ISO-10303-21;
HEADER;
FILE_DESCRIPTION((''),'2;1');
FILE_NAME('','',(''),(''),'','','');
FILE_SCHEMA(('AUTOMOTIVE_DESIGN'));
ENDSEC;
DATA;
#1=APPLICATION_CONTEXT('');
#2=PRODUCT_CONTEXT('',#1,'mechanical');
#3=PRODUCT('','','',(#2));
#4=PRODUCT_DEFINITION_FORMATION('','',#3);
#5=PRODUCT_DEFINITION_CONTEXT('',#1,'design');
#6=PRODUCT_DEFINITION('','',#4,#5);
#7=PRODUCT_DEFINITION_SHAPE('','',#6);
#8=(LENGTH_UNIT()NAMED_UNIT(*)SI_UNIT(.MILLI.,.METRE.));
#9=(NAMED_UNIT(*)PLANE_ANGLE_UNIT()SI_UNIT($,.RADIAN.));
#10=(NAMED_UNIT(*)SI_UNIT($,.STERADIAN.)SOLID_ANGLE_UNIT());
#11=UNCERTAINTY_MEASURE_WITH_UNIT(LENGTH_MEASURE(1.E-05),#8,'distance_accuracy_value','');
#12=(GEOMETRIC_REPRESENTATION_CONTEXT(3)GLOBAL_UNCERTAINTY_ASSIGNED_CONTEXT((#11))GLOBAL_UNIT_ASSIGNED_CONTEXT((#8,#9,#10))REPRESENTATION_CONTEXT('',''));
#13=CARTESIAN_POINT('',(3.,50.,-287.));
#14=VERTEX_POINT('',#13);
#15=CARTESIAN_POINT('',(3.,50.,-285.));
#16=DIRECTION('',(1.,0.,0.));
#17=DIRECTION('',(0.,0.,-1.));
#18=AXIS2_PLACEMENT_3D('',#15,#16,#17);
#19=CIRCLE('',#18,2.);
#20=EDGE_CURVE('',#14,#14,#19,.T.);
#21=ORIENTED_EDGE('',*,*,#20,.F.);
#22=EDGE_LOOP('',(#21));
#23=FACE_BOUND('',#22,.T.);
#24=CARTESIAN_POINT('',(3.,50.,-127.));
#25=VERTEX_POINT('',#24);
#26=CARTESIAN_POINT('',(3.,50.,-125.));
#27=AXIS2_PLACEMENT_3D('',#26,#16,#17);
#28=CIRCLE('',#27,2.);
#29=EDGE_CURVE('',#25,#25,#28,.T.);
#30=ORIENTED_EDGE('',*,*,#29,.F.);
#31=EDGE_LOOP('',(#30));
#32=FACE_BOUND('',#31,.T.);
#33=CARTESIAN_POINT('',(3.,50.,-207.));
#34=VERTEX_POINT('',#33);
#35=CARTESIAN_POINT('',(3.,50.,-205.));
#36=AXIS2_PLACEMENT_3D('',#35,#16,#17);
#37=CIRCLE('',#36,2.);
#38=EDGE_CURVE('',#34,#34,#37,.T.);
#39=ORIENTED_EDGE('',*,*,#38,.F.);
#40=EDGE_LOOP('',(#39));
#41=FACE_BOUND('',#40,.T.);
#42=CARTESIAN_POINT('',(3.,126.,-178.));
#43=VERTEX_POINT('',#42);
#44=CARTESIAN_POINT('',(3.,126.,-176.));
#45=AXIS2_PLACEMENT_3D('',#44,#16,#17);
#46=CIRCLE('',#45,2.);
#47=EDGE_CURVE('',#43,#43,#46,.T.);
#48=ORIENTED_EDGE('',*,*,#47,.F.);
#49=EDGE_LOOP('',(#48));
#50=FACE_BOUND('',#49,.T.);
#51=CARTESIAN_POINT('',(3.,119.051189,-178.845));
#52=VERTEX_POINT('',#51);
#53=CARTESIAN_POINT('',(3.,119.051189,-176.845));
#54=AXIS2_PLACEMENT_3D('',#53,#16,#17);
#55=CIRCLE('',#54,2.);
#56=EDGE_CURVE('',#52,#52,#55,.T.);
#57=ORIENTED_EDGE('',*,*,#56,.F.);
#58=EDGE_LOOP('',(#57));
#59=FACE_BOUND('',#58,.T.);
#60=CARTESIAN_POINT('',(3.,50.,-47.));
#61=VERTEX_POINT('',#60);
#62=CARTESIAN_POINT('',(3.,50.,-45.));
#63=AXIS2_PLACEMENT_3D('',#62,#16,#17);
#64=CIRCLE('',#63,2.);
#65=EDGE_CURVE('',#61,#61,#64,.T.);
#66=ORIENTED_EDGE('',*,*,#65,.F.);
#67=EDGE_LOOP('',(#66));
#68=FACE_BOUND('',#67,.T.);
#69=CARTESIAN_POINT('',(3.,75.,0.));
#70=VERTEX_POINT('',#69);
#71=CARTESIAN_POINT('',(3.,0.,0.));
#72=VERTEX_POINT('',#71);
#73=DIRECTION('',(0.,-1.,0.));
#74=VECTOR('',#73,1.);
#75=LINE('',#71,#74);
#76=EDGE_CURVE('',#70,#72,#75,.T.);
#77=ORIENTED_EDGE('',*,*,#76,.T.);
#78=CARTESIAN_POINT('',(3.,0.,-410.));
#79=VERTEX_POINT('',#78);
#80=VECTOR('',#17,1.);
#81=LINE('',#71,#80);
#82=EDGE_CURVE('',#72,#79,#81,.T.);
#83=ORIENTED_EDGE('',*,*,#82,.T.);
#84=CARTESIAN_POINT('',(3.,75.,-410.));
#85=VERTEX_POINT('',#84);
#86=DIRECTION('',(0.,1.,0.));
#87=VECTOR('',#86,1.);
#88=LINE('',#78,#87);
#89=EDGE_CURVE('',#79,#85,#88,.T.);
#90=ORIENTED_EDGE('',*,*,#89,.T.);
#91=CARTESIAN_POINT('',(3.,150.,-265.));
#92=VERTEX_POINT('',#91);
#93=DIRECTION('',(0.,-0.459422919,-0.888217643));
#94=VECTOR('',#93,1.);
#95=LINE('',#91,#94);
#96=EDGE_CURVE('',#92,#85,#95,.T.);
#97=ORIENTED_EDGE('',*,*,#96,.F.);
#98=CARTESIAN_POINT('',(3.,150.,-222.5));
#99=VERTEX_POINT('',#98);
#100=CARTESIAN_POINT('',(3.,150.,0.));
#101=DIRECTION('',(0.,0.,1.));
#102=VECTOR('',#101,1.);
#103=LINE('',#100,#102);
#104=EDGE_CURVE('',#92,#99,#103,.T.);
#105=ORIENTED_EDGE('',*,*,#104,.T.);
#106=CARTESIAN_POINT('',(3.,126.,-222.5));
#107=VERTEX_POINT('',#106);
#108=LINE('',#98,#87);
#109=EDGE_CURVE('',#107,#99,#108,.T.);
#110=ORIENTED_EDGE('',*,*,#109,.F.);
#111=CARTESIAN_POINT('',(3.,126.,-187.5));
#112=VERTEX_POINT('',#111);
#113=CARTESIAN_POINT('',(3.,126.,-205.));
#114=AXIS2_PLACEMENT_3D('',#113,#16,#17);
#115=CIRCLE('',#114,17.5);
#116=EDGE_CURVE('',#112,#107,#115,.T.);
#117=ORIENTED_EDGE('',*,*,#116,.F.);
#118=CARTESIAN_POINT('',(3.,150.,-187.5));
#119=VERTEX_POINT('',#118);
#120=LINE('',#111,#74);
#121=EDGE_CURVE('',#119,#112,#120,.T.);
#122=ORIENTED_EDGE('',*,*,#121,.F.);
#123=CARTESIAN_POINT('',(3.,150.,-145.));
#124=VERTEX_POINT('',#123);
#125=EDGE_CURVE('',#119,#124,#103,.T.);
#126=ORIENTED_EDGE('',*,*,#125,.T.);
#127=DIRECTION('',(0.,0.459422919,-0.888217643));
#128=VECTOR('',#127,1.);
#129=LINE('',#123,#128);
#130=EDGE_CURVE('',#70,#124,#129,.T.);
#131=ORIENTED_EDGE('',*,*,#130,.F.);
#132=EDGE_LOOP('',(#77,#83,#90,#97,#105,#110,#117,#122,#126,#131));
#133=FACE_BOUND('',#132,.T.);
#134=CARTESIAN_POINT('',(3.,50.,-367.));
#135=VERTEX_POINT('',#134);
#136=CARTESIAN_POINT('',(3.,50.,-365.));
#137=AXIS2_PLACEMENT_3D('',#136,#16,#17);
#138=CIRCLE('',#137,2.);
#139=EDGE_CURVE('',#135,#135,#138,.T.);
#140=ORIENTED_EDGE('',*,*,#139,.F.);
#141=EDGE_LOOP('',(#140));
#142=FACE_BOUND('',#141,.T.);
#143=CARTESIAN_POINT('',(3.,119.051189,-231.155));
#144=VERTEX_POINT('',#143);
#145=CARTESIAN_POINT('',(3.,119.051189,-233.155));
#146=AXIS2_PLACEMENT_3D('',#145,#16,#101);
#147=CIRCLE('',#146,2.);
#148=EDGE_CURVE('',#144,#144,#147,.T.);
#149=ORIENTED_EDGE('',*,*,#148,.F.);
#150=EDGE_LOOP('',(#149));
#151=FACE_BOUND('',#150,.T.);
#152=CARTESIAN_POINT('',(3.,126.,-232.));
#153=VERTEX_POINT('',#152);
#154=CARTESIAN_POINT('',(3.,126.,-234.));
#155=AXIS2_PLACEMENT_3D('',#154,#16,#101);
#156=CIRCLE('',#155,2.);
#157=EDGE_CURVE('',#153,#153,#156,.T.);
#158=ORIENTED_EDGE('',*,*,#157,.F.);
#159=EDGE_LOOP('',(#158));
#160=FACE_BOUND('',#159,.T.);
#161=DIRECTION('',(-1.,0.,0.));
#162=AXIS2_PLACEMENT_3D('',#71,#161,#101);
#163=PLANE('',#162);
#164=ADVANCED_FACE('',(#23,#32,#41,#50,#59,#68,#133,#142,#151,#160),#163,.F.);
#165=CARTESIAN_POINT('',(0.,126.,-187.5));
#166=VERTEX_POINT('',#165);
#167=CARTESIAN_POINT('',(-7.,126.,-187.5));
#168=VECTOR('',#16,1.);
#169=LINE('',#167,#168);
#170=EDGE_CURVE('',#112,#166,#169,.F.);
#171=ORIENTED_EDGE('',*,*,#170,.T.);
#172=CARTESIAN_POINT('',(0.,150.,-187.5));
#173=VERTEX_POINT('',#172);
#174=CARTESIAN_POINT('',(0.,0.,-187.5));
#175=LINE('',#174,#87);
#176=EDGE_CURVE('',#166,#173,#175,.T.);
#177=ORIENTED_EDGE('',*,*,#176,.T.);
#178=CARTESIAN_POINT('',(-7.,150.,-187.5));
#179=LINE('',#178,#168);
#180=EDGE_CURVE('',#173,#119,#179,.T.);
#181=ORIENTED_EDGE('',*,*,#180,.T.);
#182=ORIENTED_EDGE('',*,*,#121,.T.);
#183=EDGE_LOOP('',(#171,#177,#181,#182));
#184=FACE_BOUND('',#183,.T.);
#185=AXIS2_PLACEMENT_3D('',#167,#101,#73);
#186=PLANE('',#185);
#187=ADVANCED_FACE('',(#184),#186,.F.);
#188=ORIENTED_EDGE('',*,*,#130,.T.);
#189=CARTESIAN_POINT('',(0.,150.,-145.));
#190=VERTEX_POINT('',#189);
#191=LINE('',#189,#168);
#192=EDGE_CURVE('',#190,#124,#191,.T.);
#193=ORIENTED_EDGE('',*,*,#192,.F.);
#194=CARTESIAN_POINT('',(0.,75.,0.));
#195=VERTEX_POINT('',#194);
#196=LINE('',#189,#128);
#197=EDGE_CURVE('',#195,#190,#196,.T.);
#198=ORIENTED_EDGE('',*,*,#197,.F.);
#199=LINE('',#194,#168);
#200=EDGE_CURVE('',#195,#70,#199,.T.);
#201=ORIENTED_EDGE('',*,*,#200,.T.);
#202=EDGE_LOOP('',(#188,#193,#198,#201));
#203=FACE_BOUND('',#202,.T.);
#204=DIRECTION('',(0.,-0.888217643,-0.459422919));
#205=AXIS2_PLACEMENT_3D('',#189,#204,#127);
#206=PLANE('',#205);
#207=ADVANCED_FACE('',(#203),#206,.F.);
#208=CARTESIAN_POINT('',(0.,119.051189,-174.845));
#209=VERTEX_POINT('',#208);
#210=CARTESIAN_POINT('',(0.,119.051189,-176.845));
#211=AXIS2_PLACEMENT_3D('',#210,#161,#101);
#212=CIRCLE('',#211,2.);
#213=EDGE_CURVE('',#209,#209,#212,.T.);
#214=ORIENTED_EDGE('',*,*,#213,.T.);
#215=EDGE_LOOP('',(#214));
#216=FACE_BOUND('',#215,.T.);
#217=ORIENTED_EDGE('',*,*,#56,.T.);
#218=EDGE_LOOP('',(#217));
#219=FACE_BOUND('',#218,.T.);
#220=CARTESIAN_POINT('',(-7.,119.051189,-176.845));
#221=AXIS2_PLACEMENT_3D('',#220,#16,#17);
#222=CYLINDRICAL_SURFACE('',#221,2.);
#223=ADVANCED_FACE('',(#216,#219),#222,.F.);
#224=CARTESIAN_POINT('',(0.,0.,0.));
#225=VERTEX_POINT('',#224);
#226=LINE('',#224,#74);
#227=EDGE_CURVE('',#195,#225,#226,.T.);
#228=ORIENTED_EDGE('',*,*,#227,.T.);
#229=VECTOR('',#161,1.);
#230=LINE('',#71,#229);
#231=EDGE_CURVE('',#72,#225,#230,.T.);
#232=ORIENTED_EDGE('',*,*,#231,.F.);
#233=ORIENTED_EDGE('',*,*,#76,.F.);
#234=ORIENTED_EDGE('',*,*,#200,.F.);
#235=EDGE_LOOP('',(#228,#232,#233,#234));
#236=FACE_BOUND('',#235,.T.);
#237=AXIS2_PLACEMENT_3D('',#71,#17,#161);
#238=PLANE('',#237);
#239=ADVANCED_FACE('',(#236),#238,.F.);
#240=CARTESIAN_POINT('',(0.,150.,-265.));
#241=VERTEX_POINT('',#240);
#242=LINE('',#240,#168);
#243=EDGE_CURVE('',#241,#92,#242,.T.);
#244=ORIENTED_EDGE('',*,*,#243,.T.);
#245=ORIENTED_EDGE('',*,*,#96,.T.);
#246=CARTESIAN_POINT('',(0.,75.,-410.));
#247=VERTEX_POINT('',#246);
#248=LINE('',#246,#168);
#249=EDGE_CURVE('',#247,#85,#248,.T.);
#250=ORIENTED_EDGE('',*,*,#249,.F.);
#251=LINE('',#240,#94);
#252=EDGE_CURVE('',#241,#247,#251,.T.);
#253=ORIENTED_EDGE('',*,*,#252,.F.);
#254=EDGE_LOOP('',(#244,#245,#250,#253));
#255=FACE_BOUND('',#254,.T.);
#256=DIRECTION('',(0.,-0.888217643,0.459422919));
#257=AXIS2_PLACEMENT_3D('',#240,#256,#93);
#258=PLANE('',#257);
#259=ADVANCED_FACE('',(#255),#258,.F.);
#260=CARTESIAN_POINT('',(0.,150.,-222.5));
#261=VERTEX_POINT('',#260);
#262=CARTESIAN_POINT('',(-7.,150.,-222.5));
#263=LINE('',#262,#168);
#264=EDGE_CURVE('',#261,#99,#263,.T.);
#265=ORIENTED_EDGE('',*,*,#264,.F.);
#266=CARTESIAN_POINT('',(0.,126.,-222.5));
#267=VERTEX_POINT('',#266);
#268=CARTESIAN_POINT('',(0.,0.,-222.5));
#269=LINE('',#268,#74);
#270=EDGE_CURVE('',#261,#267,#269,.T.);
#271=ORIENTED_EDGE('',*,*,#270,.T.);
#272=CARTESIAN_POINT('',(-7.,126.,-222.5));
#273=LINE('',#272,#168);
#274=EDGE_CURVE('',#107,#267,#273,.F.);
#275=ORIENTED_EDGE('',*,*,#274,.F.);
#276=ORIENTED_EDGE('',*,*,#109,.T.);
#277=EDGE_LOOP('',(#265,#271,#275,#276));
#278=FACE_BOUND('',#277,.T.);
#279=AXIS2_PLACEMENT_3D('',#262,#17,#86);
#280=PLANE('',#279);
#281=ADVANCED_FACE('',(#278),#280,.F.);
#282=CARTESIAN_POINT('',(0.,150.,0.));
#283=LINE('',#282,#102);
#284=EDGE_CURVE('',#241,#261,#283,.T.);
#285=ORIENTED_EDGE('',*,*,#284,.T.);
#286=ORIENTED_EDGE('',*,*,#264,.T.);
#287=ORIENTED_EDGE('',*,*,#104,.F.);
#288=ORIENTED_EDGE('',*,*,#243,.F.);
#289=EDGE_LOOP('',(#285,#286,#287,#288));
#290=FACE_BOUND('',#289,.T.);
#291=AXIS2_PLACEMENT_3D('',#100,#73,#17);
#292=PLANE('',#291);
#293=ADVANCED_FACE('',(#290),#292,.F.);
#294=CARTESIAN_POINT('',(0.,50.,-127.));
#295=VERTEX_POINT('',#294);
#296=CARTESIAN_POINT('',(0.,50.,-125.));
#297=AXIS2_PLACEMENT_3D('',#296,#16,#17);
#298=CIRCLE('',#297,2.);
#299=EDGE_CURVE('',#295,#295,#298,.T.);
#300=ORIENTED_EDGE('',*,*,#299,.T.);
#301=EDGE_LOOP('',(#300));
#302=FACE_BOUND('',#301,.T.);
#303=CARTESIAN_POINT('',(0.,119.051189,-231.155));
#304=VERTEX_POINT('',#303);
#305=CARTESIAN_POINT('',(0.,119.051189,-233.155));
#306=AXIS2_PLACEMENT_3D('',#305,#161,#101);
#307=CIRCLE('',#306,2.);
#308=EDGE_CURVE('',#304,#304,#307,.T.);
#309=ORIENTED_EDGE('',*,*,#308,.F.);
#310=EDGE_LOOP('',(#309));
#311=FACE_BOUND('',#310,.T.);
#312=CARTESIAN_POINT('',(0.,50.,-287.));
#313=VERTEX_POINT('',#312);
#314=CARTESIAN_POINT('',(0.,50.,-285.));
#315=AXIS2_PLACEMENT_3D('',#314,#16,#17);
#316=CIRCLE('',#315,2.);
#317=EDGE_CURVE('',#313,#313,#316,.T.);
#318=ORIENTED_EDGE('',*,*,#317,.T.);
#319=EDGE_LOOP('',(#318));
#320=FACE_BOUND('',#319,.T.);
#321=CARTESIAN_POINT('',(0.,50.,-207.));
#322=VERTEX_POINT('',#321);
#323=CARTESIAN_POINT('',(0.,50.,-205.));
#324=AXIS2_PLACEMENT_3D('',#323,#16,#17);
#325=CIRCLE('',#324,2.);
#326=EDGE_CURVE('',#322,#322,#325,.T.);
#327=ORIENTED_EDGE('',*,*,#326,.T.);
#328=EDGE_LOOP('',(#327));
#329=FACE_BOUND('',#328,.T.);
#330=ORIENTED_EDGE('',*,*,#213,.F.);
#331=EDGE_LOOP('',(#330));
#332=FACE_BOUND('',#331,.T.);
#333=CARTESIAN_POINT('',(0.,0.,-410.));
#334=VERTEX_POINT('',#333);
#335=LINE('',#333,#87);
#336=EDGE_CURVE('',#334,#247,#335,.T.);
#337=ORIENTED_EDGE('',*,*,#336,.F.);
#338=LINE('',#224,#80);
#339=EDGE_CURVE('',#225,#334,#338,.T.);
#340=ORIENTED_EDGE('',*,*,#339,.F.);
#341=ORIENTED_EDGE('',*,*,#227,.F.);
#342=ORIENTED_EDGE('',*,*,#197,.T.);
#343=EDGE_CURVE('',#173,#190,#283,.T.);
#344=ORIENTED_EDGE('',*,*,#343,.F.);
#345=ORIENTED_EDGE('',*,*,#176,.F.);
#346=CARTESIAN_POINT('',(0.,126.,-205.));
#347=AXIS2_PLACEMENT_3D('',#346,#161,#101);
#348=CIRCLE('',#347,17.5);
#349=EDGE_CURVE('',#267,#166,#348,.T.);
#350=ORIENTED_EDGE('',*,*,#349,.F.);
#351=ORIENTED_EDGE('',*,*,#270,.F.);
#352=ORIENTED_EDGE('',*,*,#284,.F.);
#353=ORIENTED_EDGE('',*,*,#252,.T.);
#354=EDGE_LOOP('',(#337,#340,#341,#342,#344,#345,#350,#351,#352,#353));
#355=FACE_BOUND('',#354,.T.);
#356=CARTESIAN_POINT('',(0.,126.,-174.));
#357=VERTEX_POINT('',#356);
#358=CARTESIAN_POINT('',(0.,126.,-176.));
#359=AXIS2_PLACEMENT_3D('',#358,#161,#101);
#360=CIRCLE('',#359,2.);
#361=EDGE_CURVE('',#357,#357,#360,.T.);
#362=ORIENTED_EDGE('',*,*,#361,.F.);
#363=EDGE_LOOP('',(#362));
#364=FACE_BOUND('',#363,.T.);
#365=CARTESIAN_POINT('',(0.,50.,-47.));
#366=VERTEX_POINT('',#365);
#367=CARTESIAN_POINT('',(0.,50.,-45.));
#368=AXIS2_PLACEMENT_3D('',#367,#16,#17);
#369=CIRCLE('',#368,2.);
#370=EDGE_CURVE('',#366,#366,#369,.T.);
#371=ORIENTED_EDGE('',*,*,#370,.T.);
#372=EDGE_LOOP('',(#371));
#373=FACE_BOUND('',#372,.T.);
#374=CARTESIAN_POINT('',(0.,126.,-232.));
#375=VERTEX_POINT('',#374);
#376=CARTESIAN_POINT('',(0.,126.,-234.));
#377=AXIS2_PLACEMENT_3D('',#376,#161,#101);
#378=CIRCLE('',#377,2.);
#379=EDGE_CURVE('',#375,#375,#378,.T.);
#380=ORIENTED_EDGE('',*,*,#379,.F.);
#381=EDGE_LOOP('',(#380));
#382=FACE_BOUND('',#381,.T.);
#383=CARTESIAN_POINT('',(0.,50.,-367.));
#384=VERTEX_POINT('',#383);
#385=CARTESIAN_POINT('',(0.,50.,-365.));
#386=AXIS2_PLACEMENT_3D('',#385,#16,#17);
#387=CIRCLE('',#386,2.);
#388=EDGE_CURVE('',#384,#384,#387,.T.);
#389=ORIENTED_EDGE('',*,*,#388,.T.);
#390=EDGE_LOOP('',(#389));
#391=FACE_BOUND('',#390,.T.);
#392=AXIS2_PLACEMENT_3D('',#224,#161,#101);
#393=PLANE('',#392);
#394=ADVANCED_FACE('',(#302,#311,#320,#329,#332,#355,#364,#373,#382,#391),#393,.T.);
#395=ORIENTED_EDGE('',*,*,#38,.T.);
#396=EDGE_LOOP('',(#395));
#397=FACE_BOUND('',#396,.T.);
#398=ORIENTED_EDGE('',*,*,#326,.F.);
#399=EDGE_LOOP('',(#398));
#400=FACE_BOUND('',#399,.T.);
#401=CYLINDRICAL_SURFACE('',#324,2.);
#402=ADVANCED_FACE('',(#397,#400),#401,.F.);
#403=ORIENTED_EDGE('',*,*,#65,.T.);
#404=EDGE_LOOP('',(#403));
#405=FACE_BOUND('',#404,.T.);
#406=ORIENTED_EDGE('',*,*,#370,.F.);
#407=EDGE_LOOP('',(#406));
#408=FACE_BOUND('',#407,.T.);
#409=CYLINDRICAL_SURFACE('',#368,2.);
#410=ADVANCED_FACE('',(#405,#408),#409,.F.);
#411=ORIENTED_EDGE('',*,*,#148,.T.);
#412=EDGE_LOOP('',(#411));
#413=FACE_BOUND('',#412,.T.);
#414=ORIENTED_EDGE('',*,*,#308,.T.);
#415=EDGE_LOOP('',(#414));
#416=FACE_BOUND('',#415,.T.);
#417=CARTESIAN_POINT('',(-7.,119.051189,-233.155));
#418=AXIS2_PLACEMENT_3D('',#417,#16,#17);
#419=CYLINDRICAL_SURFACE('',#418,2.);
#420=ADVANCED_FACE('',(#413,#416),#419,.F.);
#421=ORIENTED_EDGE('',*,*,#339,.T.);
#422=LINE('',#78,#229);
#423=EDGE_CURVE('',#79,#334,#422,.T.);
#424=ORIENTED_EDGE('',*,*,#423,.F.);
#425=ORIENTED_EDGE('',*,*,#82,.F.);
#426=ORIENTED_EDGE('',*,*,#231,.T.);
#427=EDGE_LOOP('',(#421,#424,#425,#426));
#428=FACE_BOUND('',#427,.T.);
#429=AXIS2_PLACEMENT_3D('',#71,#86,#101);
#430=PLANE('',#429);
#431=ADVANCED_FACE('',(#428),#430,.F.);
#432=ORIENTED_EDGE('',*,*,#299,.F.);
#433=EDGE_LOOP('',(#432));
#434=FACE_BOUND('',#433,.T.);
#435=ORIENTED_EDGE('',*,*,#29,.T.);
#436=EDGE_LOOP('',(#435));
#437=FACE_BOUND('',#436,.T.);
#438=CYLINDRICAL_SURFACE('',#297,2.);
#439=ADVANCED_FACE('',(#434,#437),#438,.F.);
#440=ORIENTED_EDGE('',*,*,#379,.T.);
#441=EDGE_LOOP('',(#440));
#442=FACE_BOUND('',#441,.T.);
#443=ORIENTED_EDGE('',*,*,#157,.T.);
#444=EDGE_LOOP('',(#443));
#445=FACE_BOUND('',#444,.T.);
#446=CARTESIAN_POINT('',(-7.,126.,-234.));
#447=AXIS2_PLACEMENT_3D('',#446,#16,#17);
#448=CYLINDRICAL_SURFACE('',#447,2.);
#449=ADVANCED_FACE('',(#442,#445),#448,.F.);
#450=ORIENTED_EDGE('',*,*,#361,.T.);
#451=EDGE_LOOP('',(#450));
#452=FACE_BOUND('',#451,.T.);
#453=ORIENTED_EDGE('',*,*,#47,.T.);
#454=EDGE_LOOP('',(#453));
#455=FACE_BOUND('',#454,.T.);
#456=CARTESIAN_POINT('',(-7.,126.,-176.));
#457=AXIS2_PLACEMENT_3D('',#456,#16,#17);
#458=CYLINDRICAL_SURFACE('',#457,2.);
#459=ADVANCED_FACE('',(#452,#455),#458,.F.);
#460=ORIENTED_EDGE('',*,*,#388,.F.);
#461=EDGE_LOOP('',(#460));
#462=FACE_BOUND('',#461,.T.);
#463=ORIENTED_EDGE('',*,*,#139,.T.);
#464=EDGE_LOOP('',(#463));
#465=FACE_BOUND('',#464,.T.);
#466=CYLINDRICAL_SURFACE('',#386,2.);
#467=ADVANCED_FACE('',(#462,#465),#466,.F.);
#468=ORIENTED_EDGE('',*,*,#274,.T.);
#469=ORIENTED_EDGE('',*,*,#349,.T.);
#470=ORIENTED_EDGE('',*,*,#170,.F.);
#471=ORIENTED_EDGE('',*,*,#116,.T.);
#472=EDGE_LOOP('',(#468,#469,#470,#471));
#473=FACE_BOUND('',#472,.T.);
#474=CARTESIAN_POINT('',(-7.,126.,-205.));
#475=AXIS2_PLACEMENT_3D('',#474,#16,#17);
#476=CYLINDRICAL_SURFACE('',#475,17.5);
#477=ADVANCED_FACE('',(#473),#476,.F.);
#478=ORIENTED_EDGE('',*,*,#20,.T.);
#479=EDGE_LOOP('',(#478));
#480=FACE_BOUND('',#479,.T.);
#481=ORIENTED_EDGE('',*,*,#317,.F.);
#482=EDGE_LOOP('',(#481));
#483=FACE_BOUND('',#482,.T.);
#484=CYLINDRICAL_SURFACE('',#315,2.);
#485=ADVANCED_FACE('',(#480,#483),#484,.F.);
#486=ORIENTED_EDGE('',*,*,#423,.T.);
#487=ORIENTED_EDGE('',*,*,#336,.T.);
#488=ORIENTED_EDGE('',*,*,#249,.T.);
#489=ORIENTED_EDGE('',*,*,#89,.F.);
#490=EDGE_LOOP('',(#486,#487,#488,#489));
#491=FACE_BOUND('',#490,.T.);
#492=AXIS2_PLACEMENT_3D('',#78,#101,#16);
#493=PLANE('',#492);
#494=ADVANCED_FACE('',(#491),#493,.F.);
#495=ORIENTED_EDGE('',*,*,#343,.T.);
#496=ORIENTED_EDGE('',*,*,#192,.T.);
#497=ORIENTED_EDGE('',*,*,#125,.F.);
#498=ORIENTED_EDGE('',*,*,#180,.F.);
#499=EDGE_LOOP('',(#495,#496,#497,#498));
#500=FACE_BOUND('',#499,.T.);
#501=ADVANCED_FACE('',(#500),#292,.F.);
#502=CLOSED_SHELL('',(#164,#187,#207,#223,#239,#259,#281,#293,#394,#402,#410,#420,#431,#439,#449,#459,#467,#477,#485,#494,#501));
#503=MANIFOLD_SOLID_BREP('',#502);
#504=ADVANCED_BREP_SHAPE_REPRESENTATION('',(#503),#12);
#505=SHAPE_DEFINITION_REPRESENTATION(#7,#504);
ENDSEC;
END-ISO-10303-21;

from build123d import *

# Parameters (mm, degrees)
SKETCH1_W           = 410
SKETCH1_H           = 150
BOSS_EXTRUDE1_DEPTH = 3
CUT_EXTRUDE1_DEPTH  = 3
SKETCH3_R           = 2
CUT_EXTRUDE2_DEPTH  = 3
SKETCH4_R           = 2
SKETCH4_R_2         = 17.5
CUT_EXTRUDE3_DEPTH  = 10
SKETCH5_W           = 35
SKETCH5_H           = 24
CUT_EXTRUDE4_DEPTH  = 10


with BuildPart() as part:
    # Sketch1 → Boss-Extrude1 (new body)
    with BuildSketch(Plane(origin=(0, 0, 0), x_dir=(0, 0, -1), z_dir=(1, 0, 0))):
        with Locations((205, 75)):
            Rectangle(SKETCH1_W, SKETCH1_H)
    extrude(amount=BOSS_EXTRUDE1_DEPTH)

    # Sketch2 → Cut-Extrude1 (cut)
    with BuildSketch(Plane(origin=(3, 0, 0), x_dir=(0, 0, -1), z_dir=(1, 0, 0))):
        Polygon((145, 150), (0, 75), (0, 150), align=None)
        Polygon((265, 150), (410, 75), (410, 150), align=None)
    extrude(amount=-CUT_EXTRUDE1_DEPTH, mode=Mode.SUBTRACT)

    # Sketch3 → Cut-Extrude2 (cut)
    with BuildSketch(Plane(origin=(3, 0, 0), x_dir=(0, 0, -1), z_dir=(1, 0, 0))):
        with Locations((45, 50)):
            Circle(SKETCH3_R)
        with Locations((125, 50)):
            Circle(SKETCH3_R)
        with Locations((205, 50)):
            Circle(SKETCH3_R)
        with Locations((285, 50)):
            Circle(SKETCH3_R)
        with Locations((365, 50)):
            Circle(SKETCH3_R)
    extrude(amount=-CUT_EXTRUDE2_DEPTH, mode=Mode.SUBTRACT)

    # Sketch4 → Cut-Extrude3 (cut)
    with BuildSketch(Plane(origin=(3, 0, 0), x_dir=(0, 0, -1), z_dir=(1, 0, 0))):
        with Locations((176, 126)):
            Circle(SKETCH4_R)
        with Locations((176.845, 119.051188951)):
            Circle(SKETCH4_R)
        with Locations((205, 126)):
            Circle(SKETCH4_R_2)
        with Locations(Location((233.155, 119.051188951, 0), (0, 0, 180))):
            Circle(SKETCH4_R)
        with Locations(Location((234, 126, 0), (0, 0, 180))):
            Circle(SKETCH4_R)
    extrude(amount=-CUT_EXTRUDE3_DEPTH, mode=Mode.SUBTRACT)

    # Sketch5 → Cut-Extrude4 (cut)
    with BuildSketch(Plane(origin=(3, 0, 0), x_dir=(0, 0, -1), z_dir=(1, 0, 0))):
        with Locations((205, 138)):
            Rectangle(SKETCH5_W, SKETCH5_H)
    extrude(amount=-CUT_EXTRUDE4_DEPTH, mode=Mode.SUBTRACT)


solid = part.part
